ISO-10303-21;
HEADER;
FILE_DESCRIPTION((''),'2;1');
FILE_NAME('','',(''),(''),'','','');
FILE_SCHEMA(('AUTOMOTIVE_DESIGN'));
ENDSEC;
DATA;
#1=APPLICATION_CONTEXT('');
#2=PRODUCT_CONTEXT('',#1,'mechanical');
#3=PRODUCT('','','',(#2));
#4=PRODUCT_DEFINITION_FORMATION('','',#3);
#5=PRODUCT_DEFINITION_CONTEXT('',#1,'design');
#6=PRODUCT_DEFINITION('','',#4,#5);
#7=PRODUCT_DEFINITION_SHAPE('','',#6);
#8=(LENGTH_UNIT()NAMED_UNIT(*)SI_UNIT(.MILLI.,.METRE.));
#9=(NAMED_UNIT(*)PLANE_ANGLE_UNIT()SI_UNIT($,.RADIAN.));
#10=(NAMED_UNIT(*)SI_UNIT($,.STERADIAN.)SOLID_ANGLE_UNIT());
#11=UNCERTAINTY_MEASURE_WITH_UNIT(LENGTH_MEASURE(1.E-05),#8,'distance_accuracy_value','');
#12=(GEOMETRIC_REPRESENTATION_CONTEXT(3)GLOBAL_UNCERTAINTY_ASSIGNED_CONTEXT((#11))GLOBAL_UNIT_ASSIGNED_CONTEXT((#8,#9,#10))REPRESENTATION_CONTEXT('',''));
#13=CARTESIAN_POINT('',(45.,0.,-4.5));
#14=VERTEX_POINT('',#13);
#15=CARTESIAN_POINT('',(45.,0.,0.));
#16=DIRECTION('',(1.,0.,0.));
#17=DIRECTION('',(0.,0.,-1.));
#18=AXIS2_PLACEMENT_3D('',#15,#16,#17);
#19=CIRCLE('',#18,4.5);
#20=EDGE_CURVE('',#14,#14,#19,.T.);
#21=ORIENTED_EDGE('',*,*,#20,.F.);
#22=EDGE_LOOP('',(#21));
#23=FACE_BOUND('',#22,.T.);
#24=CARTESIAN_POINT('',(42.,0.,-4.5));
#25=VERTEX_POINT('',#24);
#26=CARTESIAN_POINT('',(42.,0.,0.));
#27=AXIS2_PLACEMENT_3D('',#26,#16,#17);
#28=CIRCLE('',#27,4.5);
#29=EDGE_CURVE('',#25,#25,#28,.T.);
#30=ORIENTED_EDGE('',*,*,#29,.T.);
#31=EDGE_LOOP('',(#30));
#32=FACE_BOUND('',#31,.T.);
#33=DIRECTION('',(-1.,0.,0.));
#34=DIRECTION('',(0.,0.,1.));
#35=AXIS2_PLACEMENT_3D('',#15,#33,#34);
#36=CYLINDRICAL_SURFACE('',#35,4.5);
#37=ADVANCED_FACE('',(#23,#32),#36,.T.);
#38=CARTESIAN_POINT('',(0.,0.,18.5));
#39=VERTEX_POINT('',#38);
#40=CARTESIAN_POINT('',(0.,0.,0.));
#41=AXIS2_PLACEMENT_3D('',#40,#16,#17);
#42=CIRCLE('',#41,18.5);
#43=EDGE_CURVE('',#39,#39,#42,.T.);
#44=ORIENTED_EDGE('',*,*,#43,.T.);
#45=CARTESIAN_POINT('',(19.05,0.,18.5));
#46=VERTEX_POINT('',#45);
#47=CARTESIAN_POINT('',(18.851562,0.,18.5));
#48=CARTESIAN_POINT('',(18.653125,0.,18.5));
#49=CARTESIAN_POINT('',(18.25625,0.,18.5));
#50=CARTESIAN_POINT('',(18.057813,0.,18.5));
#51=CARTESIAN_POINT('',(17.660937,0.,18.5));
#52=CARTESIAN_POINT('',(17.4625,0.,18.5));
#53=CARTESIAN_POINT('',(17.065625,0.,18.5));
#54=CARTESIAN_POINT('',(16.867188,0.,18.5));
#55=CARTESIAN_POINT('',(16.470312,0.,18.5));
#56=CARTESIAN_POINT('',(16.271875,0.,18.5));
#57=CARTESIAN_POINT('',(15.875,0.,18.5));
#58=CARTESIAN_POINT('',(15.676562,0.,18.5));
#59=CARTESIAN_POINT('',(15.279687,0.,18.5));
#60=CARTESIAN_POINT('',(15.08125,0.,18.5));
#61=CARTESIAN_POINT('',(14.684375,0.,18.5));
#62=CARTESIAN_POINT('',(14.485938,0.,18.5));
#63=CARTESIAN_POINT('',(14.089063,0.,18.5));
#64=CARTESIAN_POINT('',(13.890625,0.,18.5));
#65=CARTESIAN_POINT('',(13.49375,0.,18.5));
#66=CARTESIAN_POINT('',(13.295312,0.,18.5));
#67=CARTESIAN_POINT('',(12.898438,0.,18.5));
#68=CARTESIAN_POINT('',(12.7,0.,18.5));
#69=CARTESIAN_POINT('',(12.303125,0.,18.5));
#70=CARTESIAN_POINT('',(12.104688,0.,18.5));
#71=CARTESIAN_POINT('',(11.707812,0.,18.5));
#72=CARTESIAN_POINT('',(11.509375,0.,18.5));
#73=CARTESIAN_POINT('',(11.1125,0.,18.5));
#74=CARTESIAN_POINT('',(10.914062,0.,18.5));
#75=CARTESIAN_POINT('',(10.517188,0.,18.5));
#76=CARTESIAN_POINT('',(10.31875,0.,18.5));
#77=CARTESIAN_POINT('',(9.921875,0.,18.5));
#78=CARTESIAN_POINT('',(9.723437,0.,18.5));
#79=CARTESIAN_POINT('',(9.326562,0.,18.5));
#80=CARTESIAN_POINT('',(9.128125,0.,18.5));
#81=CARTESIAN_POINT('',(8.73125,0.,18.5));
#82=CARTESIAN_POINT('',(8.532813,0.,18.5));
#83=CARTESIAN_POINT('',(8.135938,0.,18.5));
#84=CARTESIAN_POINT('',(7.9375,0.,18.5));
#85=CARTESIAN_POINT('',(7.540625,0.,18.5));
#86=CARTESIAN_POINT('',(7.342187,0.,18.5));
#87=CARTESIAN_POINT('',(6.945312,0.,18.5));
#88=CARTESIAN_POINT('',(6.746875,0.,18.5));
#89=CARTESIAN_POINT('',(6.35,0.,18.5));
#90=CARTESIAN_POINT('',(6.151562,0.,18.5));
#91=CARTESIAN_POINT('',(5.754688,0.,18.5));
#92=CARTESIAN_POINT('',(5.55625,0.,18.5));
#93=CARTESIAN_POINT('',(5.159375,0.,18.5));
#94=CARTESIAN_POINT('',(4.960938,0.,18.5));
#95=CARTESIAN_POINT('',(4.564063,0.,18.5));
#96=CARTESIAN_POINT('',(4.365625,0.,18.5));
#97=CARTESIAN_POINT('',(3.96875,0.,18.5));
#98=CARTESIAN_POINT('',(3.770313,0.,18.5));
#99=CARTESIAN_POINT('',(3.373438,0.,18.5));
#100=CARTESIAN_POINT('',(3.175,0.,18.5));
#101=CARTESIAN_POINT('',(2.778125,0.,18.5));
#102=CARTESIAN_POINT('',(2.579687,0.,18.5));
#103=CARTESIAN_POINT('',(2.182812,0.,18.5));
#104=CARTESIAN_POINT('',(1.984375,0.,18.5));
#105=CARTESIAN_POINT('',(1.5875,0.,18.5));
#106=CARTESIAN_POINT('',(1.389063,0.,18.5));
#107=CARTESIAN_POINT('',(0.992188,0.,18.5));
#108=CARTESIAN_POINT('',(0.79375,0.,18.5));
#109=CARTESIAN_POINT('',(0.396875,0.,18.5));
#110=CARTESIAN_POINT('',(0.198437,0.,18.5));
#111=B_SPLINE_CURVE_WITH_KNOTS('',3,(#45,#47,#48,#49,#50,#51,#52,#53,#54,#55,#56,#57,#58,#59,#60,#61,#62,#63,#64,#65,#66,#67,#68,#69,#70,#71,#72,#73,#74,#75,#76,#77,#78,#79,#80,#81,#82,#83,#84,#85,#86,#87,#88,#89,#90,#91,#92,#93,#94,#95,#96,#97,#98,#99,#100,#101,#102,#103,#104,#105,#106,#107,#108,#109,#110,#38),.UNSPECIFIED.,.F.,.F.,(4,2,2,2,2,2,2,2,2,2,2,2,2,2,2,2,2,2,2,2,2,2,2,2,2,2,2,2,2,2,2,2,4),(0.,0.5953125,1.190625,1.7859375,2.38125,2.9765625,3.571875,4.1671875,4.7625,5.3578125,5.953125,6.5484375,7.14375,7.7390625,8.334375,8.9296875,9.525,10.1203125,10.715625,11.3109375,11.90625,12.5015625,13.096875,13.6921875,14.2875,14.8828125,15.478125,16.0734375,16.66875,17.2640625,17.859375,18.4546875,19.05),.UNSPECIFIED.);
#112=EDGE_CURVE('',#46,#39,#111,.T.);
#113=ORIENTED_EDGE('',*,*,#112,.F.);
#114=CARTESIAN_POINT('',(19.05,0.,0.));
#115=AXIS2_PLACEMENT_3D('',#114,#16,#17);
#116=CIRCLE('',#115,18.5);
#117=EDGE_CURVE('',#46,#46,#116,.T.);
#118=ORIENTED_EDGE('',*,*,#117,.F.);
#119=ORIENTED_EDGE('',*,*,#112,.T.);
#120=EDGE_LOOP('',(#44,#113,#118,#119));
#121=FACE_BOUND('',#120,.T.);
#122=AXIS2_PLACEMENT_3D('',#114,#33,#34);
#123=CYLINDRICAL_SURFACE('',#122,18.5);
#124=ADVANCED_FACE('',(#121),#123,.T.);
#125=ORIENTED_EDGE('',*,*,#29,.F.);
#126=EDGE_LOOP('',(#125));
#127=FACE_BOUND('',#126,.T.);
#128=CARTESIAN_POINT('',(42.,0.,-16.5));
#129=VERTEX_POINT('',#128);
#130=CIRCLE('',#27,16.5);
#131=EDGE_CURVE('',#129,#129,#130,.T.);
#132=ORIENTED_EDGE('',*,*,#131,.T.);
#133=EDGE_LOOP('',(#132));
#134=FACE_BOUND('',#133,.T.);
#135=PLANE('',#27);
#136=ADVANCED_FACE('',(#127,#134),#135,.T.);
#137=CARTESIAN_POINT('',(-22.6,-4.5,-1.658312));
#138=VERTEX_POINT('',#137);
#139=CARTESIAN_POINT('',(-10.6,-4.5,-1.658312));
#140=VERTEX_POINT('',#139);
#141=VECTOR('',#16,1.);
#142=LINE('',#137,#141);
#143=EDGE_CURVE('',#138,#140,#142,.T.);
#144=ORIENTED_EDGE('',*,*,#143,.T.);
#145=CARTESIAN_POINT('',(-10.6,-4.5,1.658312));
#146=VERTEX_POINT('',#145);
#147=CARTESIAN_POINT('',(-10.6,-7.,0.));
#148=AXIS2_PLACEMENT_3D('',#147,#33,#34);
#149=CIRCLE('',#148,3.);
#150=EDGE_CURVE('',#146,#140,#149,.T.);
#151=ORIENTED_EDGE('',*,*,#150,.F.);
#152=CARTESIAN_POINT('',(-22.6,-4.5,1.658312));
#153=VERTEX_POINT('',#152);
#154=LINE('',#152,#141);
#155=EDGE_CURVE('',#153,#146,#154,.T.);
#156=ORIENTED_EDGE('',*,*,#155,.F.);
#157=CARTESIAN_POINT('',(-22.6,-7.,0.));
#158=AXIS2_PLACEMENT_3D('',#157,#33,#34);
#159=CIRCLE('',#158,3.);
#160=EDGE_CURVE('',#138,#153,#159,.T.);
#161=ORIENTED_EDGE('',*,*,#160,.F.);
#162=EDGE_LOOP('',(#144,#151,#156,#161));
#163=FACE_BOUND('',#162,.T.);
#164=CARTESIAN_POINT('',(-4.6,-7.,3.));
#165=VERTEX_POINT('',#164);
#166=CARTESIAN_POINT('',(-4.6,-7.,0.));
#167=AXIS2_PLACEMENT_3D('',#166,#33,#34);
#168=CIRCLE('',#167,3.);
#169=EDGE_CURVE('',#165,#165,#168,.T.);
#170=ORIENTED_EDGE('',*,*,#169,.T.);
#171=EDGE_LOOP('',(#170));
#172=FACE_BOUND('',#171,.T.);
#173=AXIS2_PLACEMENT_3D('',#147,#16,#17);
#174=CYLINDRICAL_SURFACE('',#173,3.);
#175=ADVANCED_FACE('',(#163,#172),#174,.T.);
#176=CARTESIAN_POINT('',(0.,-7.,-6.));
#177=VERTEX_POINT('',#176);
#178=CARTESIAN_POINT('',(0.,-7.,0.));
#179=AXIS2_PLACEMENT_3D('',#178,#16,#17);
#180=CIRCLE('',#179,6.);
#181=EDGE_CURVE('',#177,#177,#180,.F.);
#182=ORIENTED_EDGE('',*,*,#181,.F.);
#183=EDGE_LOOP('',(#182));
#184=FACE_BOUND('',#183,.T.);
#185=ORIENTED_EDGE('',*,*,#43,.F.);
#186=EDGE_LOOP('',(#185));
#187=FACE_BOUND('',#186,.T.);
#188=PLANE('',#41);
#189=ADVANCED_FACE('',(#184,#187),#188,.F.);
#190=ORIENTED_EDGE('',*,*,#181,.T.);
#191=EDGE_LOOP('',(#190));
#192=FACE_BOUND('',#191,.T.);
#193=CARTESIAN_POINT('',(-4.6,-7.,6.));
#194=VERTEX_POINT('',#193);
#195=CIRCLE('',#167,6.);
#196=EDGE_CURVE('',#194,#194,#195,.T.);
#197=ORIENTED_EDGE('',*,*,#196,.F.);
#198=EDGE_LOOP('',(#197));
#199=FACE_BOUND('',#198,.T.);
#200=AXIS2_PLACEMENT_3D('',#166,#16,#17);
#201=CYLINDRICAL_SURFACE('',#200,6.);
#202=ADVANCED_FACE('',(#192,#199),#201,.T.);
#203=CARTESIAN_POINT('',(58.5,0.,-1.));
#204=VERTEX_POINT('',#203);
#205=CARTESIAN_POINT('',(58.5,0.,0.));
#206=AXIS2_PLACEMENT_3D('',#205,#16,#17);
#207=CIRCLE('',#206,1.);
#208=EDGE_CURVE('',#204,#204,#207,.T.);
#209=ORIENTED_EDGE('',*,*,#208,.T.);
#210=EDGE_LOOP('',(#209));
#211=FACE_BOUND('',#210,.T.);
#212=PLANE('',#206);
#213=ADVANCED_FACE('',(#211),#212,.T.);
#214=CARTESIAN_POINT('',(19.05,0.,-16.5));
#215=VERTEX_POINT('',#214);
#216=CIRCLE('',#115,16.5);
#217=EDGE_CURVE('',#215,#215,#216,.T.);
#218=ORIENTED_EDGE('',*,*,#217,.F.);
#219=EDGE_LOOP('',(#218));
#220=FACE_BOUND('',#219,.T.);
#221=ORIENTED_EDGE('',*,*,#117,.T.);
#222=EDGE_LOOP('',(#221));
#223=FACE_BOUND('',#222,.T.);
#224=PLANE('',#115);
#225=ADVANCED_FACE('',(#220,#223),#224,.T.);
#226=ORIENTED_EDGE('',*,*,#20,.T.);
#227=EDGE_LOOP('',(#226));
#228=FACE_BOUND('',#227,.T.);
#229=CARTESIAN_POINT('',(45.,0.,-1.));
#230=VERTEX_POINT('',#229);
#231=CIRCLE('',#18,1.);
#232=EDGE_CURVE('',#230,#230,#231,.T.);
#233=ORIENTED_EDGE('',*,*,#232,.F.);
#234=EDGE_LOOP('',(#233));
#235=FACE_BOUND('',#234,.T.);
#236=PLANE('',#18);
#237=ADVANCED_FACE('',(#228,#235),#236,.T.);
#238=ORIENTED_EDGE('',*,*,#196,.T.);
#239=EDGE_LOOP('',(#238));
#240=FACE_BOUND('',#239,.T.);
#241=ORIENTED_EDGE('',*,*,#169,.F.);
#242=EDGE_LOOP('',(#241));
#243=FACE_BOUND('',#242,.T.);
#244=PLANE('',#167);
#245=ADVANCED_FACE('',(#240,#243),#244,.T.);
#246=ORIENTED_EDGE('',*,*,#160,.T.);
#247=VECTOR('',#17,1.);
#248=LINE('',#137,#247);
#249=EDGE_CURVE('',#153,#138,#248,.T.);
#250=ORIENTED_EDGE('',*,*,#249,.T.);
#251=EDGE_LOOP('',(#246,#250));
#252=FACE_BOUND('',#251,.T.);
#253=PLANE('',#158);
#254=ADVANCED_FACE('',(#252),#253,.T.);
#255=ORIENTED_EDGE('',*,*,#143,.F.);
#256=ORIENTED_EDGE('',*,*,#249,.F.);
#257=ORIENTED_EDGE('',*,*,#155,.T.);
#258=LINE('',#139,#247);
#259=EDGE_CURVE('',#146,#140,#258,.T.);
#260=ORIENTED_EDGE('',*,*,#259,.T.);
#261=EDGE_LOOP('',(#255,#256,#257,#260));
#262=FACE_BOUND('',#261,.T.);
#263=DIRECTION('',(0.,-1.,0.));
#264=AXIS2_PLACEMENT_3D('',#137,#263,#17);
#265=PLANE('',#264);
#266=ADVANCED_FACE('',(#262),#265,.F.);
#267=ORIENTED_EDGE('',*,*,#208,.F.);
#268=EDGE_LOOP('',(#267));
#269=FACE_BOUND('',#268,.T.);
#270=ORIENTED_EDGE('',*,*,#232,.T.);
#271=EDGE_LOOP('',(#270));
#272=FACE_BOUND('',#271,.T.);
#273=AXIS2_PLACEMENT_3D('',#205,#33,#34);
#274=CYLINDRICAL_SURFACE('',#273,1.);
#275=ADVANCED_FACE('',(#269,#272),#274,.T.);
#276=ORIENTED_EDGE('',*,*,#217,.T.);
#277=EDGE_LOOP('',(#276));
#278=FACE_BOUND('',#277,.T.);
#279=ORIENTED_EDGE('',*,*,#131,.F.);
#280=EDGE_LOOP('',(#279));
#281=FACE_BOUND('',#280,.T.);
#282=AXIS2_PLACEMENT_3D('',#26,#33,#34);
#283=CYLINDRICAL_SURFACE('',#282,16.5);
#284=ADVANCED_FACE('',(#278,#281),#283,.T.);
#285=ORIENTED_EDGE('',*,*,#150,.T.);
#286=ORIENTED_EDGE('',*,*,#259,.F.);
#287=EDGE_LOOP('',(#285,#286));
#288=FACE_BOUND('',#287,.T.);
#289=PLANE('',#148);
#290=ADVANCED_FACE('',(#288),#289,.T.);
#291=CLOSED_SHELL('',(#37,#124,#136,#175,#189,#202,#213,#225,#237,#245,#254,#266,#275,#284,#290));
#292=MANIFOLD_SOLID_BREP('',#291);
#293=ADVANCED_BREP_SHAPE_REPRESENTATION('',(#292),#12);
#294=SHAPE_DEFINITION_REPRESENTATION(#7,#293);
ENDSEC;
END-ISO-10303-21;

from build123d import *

# Parameters (mm, degrees)
SKETCH1_R           = 18.5
BOSS_EXTRUDE1_DEPTH = 19.05
SKETCH2_R           = 16.5
BOSS_EXTRUDE2_DEPTH = 22.95
SKETCH3_R           = 4.5
BOSS_EXTRUDE3_DEPTH = 3
SKETCH4_R           = 1
BOSS_EXTRUDE4_DEPTH = 13.5
SKETCH5_R           = 6
BOSS_EXTRUDE5_DEPTH = 4.6
SKETCH7_R           = 3
BOSS_EXTRUDE6_DEPTH = 6
BOSS_EXTRUDE7_DEPTH = 12


with BuildPart() as part:
    # Sketch1 → Boss-Extrude1 (new body)
    with BuildSketch(Plane(origin=(0, 0, 0), x_dir=(0, 0, -1), z_dir=(1, 0, 0))):
        with Locations(Location((0, 0, 0), (0, 0, 180))):
            Circle(SKETCH1_R)
    extrude(amount=BOSS_EXTRUDE1_DEPTH)

    # Sketch2 → Boss-Extrude2 (add)
    with BuildSketch(Plane(origin=(19.05, 0, 0), x_dir=(0, 0, -1), z_dir=(1, 0, 0))):
        Circle(SKETCH2_R)
    extrude(amount=BOSS_EXTRUDE2_DEPTH)

    # Sketch3 → Boss-Extrude3 (add)
    with BuildSketch(Plane(origin=(42, 0, 0), x_dir=(0, 0, -1), z_dir=(1, 0, 0))):
        Circle(SKETCH3_R)
    extrude(amount=BOSS_EXTRUDE3_DEPTH)

    # Sketch4 → Boss-Extrude4 (add)
    with BuildSketch(Plane(origin=(45, 0, 0), x_dir=(0, 0, -1), z_dir=(1, 0, 0))):
        Circle(SKETCH4_R)
    extrude(amount=BOSS_EXTRUDE4_DEPTH)

    # Sketch5 → Boss-Extrude5 (add)
    with BuildSketch(Plane.ZY):
        with Locations(Location((0, -7, 0), (0, 0, 180))):
            Circle(SKETCH5_R)
    extrude(amount=BOSS_EXTRUDE5_DEPTH)

    # Sketch7 → Boss-Extrude6 (add)
    with BuildSketch(Plane.ZY.offset(4.6)):
        with Locations((0, -7)):
            Circle(SKETCH7_R)
    extrude(amount=BOSS_EXTRUDE6_DEPTH)

    # Sketch8 → Boss-Extrude7 (add)
    with BuildSketch(Plane.ZY.offset(10.6)):
        with BuildLine():
            Line((-1.658312395, -4.5), (1.658312395, -4.5))
            ThreePointArc((1.658312395, -4.5), (0, -10), (-1.658312395, -4.5))
        make_face()
    extrude(amount=BOSS_EXTRUDE7_DEPTH)


solid = part.part
